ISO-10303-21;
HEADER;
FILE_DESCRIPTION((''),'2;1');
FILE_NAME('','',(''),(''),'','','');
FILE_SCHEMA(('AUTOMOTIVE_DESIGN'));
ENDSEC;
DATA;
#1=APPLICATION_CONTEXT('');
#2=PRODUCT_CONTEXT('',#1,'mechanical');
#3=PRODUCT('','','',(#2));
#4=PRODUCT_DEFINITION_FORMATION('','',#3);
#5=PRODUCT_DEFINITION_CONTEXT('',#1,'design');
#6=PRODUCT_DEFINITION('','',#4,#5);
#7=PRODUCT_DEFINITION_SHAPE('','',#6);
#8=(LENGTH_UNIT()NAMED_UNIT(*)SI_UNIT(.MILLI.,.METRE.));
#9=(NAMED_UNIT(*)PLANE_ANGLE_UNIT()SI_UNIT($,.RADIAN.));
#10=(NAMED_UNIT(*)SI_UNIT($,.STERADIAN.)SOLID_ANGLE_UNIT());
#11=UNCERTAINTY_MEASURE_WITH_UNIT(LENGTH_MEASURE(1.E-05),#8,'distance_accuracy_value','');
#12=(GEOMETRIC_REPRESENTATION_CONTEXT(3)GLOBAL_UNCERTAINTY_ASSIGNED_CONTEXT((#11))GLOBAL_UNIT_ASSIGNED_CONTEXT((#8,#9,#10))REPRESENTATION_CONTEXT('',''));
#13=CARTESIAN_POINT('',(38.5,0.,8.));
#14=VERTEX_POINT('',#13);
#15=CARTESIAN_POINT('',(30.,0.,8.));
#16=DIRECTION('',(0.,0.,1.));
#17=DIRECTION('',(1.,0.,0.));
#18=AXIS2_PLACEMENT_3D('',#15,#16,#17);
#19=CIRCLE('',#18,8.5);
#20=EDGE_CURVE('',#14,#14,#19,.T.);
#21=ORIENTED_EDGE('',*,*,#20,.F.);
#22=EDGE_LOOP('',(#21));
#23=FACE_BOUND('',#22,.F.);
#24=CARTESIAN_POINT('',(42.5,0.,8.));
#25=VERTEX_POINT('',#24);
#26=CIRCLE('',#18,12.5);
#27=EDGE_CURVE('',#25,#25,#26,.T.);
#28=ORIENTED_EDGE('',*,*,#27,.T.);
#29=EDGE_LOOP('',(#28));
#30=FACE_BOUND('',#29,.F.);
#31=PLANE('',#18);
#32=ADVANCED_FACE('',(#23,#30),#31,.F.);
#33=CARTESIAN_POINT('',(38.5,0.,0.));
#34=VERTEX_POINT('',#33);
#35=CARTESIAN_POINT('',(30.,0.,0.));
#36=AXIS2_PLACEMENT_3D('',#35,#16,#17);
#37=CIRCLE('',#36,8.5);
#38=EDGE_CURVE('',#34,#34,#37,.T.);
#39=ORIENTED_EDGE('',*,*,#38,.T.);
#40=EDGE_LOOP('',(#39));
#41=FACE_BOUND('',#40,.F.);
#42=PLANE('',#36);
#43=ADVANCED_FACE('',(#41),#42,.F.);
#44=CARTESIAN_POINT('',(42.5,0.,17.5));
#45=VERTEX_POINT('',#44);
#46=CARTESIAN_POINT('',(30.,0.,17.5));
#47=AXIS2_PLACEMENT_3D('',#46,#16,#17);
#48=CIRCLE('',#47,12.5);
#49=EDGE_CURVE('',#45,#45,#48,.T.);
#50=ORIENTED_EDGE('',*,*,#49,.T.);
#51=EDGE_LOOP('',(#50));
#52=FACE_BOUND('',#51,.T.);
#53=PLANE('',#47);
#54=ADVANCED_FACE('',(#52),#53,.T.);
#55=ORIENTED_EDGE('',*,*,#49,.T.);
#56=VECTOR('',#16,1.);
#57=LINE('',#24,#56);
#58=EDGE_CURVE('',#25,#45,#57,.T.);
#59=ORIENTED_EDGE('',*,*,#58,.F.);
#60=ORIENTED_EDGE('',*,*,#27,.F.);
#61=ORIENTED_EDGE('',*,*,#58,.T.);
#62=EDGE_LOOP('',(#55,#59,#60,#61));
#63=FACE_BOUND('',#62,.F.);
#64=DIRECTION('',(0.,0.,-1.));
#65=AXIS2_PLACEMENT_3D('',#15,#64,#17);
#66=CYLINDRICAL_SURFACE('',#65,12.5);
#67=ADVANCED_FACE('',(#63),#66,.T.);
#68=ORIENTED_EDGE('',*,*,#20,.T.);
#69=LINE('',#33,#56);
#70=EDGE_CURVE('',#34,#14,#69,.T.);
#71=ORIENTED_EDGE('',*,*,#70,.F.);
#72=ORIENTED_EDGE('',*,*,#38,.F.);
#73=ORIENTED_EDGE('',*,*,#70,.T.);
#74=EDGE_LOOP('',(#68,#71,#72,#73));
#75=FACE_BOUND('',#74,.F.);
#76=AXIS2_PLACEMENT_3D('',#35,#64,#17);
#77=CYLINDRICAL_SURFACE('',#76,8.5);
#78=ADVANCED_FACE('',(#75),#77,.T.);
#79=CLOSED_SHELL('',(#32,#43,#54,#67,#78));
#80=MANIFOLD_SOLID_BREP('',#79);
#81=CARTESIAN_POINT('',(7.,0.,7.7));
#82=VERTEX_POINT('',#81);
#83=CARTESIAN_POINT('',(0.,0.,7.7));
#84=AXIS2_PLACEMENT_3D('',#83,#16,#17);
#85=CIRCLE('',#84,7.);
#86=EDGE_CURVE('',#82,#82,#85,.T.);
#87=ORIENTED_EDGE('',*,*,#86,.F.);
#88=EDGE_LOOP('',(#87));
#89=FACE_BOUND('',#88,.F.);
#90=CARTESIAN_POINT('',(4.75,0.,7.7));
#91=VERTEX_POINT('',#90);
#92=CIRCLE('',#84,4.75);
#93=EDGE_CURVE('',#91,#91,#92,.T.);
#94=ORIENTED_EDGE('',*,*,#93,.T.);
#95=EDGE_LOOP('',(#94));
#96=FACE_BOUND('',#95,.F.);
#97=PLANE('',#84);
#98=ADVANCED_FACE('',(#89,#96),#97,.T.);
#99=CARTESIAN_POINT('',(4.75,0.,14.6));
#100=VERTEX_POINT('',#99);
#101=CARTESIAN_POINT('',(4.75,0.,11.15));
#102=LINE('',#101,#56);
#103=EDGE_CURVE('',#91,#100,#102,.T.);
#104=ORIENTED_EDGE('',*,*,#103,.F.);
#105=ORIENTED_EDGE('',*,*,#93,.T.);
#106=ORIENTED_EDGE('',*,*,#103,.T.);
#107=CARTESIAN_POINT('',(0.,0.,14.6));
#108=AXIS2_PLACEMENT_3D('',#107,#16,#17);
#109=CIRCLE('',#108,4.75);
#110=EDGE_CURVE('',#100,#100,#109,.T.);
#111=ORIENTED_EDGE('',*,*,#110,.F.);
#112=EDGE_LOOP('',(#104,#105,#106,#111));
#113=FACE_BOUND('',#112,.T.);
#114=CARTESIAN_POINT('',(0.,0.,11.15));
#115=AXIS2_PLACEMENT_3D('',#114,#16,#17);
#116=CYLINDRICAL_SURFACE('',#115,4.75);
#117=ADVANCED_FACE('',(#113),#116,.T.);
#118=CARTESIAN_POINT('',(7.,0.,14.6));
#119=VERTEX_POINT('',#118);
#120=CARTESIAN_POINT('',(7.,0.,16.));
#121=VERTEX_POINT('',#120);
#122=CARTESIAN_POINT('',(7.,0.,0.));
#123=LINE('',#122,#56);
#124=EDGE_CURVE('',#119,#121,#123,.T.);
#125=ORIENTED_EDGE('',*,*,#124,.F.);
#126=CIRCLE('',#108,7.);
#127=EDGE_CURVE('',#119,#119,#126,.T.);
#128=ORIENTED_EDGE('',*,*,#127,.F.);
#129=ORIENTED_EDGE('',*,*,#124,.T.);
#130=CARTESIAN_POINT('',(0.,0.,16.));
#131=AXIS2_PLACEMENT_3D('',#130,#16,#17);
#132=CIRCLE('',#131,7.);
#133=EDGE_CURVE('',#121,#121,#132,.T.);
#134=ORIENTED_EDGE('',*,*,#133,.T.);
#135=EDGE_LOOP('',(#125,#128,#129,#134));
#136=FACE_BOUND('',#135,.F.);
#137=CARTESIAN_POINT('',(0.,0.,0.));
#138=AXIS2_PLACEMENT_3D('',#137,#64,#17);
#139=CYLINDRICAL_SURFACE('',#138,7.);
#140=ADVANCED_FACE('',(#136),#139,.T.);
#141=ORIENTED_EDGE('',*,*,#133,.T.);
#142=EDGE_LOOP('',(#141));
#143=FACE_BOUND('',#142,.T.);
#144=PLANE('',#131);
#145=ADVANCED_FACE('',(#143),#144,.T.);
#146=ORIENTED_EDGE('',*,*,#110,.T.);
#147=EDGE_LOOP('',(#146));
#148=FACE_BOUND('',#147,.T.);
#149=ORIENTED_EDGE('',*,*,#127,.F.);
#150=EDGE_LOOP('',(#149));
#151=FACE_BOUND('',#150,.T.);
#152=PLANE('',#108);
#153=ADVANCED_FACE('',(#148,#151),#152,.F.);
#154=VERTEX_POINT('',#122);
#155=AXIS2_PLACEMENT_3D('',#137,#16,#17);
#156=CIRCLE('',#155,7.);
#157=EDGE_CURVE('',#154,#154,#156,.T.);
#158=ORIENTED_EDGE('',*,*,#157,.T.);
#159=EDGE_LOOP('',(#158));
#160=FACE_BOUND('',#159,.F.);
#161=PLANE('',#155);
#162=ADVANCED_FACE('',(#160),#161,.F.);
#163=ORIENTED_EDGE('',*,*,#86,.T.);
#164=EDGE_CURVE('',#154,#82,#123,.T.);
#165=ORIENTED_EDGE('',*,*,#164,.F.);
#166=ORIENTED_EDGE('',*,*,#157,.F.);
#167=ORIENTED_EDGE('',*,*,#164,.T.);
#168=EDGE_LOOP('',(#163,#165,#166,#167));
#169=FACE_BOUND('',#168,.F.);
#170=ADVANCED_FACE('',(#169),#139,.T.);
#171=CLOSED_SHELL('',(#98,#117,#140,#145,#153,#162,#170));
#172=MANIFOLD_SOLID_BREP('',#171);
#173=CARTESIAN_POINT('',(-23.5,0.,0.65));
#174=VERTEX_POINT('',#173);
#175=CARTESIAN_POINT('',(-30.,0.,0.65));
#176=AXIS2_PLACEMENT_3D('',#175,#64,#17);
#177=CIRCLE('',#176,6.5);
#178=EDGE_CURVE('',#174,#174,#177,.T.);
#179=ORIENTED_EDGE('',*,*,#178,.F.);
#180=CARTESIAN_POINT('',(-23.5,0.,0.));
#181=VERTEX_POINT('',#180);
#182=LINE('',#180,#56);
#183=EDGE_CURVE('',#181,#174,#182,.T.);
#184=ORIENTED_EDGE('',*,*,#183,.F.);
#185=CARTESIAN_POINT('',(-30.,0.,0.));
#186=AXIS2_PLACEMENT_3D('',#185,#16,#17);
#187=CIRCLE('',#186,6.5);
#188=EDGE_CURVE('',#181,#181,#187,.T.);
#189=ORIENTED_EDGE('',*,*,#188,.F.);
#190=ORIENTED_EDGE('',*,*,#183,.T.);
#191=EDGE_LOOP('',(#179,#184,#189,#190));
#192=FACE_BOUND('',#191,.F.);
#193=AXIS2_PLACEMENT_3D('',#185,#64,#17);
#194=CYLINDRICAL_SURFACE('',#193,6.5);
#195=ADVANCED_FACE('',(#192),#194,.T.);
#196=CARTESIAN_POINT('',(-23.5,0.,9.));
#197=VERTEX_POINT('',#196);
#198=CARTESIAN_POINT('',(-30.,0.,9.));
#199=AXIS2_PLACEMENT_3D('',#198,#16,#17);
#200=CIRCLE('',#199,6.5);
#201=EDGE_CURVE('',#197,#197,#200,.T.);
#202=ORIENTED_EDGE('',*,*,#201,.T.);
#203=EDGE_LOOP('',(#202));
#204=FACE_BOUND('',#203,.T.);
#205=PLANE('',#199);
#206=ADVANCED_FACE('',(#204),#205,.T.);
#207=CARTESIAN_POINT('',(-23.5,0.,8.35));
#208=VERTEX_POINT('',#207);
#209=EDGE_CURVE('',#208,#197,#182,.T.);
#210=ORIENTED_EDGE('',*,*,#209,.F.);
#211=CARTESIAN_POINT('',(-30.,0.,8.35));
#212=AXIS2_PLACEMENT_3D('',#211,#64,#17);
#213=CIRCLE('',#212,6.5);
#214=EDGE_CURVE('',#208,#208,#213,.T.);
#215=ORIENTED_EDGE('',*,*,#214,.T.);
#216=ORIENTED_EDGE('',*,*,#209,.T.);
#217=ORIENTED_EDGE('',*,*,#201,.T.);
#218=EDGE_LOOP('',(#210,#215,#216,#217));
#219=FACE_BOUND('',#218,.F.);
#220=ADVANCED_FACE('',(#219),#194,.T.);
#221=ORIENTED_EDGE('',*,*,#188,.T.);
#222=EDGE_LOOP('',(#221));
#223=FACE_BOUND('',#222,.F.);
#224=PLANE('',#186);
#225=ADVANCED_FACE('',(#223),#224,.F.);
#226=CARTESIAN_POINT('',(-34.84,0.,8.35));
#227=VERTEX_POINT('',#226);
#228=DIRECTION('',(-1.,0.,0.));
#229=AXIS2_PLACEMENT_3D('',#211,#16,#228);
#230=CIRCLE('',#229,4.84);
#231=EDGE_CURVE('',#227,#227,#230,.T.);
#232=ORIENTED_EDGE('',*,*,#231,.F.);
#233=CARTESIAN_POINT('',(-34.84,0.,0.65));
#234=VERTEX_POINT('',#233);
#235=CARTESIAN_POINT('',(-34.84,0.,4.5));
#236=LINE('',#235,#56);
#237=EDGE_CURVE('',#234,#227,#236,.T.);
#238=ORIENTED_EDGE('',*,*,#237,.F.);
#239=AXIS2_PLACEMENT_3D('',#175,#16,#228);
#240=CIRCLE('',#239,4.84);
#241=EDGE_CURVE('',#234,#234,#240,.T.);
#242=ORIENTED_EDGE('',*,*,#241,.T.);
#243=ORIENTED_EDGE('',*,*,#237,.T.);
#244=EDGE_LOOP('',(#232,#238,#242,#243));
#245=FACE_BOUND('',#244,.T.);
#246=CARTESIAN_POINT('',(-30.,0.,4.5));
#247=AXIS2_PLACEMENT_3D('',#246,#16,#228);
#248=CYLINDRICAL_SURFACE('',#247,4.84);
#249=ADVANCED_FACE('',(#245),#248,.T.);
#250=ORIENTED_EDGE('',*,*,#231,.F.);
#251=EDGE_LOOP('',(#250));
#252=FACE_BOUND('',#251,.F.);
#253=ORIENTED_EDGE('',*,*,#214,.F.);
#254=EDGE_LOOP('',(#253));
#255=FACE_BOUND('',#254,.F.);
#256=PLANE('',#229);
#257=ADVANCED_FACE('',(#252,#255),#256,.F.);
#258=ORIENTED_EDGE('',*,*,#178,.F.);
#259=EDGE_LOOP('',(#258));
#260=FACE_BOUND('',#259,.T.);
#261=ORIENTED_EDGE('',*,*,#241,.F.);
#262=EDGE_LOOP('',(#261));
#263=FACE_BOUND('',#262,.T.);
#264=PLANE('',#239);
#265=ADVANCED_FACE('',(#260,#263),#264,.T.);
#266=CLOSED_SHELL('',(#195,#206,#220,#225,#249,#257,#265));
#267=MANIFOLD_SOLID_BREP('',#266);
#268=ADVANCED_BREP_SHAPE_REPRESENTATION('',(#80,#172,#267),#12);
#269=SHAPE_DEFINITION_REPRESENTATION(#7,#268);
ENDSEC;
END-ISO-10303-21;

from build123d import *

# Parameters (mm, degrees)
F0_R     = 7
F1_DEPTH = 16
F2_W     = 2.25
F2_H     = 6.9
F4_R     = 8.5
F5_DEPTH = 8
F6_R     = 12.5
F6_R_2   = 8.5
F7_DEPTH = 9.5
F8_R     = 6.5
F9_DEPTH = 9
F10_W    = 1.66
F10_H    = 7.7


with BuildPart() as f1:
    # F0 (on Top) → F1 (new body)
    with BuildSketch(Plane.XY):
        Circle(F0_R)
    extrude(amount=F1_DEPTH)

    # F2 (on Front) → F3 (revolve, cut)
    with BuildSketch(Plane.XZ):
        with Locations((5.875, 11.15)):
            Rectangle(F2_W, F2_H)
    revolve(axis=Axis((0, 0, 8.171172), (0, 0, 1)), mode=Mode.SUBTRACT)


with BuildPart() as f5:
    # F4 (on Top) → F5 (new body)
    with BuildSketch(Plane.XY):
        with Locations((30, 0)):
            Circle(F4_R)
    extrude(amount=F5_DEPTH)

    # F6 (on face) → F7 (join)
    with BuildSketch(Plane.XY.offset(8)):
        with Locations((30, 0)):
            Circle(F6_R)
        with Locations((30, 0)):
            Circle(F6_R_2, mode=Mode.SUBTRACT)
        with Locations((30, 0)):
            Circle(F6_R_2)
    extrude(amount=F7_DEPTH)


with BuildPart() as f9:
    # F8 (on Top) → F9 (new body)
    with BuildSketch(Plane.XY):
        with Locations((-30, 0)):
            Circle(F8_R)
    extrude(amount=F9_DEPTH)

    # F10 (on Front) → F11 (revolve, cut)
    with BuildSketch(Plane.XZ):
        with Locations((-35.67, 4.5)):
            Rectangle(F10_W, F10_H)
    revolve(axis=Axis((-30, 0, 3.813123), (0, 0, 1)), mode=Mode.SUBTRACT)


solid = Compound([f1.part, f5.part, f9.part])
